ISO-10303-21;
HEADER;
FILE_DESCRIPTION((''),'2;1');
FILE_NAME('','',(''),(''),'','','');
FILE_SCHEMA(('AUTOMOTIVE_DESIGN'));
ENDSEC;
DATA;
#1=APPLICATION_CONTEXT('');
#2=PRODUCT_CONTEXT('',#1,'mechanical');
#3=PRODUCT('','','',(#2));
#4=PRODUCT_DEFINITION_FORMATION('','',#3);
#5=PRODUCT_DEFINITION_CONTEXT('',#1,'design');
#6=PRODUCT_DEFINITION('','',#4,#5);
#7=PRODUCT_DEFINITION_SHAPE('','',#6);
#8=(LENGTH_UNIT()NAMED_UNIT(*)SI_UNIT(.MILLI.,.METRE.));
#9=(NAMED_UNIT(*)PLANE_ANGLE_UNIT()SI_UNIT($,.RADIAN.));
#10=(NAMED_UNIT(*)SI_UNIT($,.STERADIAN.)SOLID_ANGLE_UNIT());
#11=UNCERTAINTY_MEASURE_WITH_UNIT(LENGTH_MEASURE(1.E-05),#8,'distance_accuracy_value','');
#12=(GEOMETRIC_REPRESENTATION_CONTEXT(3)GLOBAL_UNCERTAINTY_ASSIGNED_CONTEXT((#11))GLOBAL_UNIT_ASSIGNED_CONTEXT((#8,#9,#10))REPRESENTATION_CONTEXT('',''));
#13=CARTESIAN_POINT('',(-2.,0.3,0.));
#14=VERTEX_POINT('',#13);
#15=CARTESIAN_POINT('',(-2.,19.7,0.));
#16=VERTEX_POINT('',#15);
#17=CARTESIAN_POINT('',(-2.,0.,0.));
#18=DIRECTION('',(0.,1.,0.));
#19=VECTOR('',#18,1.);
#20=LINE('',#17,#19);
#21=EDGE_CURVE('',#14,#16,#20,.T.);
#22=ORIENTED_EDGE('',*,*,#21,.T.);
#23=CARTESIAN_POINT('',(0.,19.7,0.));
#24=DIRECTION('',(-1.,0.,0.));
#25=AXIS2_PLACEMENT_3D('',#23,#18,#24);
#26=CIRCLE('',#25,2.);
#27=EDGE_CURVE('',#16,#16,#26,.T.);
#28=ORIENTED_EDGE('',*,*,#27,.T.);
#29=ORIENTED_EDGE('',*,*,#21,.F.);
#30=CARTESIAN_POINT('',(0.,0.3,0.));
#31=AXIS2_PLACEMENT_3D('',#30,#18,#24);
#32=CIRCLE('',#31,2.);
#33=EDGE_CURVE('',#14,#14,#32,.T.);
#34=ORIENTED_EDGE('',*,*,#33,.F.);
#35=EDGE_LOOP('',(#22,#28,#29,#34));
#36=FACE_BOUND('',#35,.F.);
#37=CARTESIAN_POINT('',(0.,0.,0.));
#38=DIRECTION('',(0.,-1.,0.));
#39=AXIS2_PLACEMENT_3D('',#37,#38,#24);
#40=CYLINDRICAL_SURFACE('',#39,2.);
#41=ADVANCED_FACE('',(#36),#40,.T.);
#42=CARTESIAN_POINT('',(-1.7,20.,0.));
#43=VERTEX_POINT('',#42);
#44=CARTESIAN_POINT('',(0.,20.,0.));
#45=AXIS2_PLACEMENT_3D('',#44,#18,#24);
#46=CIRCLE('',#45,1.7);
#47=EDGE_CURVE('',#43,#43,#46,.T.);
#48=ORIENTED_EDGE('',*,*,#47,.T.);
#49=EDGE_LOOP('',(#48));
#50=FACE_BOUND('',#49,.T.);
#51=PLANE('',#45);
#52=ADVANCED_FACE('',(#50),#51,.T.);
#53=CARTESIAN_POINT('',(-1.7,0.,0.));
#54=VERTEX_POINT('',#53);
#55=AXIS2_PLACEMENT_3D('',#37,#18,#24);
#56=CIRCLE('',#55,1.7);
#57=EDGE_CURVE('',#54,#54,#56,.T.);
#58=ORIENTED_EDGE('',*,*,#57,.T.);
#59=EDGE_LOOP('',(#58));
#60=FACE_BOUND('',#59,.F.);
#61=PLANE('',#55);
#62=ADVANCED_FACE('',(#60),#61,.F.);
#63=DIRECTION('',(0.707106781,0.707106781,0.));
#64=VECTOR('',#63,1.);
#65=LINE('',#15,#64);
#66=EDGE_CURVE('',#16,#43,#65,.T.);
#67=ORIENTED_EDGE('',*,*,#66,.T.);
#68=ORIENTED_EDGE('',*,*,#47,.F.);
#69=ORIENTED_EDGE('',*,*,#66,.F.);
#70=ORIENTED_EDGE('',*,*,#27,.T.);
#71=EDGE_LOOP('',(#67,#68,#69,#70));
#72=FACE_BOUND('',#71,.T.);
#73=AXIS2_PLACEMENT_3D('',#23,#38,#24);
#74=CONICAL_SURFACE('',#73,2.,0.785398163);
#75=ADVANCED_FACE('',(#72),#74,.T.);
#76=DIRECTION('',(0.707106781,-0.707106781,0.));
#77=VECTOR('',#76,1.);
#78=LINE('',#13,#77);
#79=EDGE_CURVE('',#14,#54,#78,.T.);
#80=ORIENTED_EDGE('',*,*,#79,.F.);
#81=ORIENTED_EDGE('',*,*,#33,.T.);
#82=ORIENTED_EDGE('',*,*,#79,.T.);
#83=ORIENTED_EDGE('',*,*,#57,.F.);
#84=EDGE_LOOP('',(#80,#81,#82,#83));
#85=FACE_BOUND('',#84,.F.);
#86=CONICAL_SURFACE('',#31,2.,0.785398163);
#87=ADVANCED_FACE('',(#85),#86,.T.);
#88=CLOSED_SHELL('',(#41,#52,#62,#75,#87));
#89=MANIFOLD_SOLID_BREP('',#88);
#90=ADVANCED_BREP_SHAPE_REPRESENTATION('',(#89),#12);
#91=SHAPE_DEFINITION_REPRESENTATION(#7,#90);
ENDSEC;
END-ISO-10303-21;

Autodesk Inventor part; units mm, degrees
ref_plane "YZ Plane" through (0, 0, 0) normal (1, 0, 0) x (0, 1, 0)
ref_plane "XZ Plane" through (0, 0, 0) normal (0, 1, 0) x (-1, 0, 0)
ref_plane "XY Plane" through (0, 0, 0) normal (0, 0, 1) x (1, 0, 0)
sketch "Sketch1" plane through (0, 0, 0) normal (0, 1, 0) x (-1, 0, 0)
  circle A0 centre (0, 0) radius 2
  dimension "d0" = 4
extrude "Extrusion1" add sketch "Sketch1" along normal blind 20
chamfer "Chamfer1" distance 0.3 angle 45 2 edges at (2, 20, 0) (2, 0, 0)
properties part number "pin_2_20"
